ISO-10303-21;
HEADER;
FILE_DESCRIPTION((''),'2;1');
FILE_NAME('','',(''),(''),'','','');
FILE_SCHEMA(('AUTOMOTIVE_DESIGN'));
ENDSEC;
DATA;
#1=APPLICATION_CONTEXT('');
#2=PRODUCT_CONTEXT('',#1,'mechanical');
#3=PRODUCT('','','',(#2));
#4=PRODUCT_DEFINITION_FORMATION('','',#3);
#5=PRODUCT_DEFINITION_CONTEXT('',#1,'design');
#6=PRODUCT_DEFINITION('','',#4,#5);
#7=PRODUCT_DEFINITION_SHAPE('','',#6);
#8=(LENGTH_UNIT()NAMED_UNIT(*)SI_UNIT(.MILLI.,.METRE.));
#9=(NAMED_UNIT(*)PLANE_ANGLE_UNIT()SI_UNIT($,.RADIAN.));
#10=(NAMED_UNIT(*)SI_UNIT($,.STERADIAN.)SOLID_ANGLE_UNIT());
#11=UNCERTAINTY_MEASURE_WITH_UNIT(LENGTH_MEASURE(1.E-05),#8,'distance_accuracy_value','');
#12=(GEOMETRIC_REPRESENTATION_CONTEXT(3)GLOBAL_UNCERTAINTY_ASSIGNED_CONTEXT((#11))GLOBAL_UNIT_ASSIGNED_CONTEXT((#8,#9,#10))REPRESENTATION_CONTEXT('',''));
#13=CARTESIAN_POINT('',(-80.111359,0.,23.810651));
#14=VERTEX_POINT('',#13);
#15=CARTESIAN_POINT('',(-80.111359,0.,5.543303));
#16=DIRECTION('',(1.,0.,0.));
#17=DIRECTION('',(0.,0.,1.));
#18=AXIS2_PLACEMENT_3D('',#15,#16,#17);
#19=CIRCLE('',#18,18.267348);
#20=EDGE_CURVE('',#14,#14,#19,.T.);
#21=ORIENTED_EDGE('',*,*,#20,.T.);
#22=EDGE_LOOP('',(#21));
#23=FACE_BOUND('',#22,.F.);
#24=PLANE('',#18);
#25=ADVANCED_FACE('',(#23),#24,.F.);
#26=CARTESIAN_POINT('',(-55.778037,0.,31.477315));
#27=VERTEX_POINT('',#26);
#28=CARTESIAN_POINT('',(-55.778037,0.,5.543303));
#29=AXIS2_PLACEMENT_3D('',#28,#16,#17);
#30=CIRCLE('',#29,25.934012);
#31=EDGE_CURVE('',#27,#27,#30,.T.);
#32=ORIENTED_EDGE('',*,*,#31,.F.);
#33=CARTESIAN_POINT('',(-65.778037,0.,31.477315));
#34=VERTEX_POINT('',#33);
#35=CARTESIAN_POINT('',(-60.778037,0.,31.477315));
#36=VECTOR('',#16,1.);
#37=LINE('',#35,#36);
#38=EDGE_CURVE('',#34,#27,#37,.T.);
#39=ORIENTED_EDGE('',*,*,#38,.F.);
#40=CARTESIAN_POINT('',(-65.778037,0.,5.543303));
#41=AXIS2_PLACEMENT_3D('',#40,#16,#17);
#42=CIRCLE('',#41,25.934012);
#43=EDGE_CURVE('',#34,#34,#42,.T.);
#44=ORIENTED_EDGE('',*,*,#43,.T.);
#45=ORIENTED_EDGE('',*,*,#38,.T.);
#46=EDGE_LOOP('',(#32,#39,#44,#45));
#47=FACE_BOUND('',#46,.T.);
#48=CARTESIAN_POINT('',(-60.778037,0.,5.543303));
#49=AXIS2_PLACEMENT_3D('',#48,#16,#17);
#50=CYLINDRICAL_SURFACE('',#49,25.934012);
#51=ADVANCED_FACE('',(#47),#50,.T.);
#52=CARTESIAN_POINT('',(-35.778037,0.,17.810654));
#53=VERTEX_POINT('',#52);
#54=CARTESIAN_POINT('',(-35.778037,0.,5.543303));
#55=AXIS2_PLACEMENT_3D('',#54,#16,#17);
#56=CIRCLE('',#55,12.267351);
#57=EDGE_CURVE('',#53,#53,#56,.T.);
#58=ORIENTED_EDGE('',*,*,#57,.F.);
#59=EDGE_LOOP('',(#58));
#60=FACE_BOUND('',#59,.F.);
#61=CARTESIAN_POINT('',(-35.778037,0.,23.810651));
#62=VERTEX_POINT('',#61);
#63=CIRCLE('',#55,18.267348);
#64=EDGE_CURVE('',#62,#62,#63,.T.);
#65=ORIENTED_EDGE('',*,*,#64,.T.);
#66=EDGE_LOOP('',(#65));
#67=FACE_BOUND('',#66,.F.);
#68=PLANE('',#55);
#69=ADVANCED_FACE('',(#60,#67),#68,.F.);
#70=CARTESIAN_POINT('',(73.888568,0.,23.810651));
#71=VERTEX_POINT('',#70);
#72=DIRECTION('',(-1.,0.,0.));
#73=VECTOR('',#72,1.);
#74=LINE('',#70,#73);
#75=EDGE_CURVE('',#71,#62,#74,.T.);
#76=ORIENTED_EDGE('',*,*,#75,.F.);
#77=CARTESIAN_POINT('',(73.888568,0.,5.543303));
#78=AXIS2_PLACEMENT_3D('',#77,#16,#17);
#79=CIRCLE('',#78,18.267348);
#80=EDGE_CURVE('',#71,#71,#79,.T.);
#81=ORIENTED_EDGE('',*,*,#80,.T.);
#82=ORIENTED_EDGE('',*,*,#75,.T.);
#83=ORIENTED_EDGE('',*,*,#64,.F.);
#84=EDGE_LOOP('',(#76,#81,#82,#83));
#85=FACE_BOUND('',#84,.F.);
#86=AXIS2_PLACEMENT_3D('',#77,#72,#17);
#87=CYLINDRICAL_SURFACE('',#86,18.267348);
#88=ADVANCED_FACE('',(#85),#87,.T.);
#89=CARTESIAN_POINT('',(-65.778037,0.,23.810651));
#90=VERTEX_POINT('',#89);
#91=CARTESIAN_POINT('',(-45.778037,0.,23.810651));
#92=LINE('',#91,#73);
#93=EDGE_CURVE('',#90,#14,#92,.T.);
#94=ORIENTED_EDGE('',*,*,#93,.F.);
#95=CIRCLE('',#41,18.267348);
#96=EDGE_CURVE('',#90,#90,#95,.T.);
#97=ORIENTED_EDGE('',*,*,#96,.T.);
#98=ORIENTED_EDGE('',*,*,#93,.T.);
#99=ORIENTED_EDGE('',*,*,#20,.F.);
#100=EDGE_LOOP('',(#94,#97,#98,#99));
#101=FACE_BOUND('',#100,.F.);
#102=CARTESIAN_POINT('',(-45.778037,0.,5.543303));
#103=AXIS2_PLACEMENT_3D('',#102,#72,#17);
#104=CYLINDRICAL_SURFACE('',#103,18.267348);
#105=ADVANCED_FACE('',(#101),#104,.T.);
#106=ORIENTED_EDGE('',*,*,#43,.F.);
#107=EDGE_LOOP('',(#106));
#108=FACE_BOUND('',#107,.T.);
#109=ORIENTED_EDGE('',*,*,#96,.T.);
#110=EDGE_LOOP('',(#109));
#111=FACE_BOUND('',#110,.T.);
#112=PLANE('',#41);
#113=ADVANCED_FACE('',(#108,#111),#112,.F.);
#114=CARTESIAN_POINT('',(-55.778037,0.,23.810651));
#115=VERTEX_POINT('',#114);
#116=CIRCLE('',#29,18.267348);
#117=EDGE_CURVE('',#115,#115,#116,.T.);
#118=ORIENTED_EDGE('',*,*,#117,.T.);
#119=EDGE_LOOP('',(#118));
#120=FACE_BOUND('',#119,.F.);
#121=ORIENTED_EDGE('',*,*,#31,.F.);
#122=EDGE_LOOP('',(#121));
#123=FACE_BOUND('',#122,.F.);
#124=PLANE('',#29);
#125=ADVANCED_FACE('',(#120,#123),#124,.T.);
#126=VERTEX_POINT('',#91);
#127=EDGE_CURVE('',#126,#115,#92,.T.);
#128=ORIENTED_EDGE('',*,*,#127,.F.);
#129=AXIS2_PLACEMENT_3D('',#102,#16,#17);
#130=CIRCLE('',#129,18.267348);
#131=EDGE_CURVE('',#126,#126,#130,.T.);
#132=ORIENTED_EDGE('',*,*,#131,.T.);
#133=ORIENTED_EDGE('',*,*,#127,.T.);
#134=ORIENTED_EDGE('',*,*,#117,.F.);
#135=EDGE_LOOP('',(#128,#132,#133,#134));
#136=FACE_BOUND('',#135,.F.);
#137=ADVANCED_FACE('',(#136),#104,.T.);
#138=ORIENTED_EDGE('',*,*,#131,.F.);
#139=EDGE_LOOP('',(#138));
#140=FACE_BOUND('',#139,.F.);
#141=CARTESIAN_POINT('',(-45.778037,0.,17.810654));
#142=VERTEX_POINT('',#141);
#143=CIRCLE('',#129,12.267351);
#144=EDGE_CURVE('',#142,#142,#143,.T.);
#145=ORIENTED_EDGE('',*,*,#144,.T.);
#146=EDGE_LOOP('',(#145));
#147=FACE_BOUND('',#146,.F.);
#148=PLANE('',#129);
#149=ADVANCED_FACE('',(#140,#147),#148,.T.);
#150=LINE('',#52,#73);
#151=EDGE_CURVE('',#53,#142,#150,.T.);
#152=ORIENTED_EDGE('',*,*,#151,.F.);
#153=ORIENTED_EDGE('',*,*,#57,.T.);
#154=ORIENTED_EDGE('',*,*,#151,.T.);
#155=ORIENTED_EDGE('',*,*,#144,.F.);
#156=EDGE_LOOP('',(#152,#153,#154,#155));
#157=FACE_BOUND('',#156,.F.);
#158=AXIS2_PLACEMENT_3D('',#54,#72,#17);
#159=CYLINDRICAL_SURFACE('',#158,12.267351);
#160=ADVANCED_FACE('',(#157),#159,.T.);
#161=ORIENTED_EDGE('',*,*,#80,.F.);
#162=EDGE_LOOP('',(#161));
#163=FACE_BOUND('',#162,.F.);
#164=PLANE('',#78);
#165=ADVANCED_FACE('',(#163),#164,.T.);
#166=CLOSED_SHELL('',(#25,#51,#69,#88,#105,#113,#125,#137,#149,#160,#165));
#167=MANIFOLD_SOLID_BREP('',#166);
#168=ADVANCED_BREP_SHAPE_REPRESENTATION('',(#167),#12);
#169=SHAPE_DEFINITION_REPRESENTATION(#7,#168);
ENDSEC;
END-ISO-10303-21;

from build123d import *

# Parameters (mm, degrees)
F0_W = 10
F0_H = 7.666664


with BuildPart() as f1:
    # F0 (on Front) → F1 (revolve)
    with BuildSketch(Plane.XZ):
        Polygon((-65.778037, 23.810651), (-80.111359, 23.810651), (-80.111359, 5.543303), (73.888568, 5.543303), (73.888568, 23.810651), (-35.778037, 23.810651), (-35.778037, 17.810654), (-45.778037, 17.810654), (-45.778037, 23.810651), (-55.778037, 23.810651), align=None)
        with Locations((-60.778037, 27.643983)):
            Rectangle(F0_W, F0_H)
    revolve(axis=Axis((15.516561, 0, 5.543303), (1, 0, 0)))


solid = f1.part
